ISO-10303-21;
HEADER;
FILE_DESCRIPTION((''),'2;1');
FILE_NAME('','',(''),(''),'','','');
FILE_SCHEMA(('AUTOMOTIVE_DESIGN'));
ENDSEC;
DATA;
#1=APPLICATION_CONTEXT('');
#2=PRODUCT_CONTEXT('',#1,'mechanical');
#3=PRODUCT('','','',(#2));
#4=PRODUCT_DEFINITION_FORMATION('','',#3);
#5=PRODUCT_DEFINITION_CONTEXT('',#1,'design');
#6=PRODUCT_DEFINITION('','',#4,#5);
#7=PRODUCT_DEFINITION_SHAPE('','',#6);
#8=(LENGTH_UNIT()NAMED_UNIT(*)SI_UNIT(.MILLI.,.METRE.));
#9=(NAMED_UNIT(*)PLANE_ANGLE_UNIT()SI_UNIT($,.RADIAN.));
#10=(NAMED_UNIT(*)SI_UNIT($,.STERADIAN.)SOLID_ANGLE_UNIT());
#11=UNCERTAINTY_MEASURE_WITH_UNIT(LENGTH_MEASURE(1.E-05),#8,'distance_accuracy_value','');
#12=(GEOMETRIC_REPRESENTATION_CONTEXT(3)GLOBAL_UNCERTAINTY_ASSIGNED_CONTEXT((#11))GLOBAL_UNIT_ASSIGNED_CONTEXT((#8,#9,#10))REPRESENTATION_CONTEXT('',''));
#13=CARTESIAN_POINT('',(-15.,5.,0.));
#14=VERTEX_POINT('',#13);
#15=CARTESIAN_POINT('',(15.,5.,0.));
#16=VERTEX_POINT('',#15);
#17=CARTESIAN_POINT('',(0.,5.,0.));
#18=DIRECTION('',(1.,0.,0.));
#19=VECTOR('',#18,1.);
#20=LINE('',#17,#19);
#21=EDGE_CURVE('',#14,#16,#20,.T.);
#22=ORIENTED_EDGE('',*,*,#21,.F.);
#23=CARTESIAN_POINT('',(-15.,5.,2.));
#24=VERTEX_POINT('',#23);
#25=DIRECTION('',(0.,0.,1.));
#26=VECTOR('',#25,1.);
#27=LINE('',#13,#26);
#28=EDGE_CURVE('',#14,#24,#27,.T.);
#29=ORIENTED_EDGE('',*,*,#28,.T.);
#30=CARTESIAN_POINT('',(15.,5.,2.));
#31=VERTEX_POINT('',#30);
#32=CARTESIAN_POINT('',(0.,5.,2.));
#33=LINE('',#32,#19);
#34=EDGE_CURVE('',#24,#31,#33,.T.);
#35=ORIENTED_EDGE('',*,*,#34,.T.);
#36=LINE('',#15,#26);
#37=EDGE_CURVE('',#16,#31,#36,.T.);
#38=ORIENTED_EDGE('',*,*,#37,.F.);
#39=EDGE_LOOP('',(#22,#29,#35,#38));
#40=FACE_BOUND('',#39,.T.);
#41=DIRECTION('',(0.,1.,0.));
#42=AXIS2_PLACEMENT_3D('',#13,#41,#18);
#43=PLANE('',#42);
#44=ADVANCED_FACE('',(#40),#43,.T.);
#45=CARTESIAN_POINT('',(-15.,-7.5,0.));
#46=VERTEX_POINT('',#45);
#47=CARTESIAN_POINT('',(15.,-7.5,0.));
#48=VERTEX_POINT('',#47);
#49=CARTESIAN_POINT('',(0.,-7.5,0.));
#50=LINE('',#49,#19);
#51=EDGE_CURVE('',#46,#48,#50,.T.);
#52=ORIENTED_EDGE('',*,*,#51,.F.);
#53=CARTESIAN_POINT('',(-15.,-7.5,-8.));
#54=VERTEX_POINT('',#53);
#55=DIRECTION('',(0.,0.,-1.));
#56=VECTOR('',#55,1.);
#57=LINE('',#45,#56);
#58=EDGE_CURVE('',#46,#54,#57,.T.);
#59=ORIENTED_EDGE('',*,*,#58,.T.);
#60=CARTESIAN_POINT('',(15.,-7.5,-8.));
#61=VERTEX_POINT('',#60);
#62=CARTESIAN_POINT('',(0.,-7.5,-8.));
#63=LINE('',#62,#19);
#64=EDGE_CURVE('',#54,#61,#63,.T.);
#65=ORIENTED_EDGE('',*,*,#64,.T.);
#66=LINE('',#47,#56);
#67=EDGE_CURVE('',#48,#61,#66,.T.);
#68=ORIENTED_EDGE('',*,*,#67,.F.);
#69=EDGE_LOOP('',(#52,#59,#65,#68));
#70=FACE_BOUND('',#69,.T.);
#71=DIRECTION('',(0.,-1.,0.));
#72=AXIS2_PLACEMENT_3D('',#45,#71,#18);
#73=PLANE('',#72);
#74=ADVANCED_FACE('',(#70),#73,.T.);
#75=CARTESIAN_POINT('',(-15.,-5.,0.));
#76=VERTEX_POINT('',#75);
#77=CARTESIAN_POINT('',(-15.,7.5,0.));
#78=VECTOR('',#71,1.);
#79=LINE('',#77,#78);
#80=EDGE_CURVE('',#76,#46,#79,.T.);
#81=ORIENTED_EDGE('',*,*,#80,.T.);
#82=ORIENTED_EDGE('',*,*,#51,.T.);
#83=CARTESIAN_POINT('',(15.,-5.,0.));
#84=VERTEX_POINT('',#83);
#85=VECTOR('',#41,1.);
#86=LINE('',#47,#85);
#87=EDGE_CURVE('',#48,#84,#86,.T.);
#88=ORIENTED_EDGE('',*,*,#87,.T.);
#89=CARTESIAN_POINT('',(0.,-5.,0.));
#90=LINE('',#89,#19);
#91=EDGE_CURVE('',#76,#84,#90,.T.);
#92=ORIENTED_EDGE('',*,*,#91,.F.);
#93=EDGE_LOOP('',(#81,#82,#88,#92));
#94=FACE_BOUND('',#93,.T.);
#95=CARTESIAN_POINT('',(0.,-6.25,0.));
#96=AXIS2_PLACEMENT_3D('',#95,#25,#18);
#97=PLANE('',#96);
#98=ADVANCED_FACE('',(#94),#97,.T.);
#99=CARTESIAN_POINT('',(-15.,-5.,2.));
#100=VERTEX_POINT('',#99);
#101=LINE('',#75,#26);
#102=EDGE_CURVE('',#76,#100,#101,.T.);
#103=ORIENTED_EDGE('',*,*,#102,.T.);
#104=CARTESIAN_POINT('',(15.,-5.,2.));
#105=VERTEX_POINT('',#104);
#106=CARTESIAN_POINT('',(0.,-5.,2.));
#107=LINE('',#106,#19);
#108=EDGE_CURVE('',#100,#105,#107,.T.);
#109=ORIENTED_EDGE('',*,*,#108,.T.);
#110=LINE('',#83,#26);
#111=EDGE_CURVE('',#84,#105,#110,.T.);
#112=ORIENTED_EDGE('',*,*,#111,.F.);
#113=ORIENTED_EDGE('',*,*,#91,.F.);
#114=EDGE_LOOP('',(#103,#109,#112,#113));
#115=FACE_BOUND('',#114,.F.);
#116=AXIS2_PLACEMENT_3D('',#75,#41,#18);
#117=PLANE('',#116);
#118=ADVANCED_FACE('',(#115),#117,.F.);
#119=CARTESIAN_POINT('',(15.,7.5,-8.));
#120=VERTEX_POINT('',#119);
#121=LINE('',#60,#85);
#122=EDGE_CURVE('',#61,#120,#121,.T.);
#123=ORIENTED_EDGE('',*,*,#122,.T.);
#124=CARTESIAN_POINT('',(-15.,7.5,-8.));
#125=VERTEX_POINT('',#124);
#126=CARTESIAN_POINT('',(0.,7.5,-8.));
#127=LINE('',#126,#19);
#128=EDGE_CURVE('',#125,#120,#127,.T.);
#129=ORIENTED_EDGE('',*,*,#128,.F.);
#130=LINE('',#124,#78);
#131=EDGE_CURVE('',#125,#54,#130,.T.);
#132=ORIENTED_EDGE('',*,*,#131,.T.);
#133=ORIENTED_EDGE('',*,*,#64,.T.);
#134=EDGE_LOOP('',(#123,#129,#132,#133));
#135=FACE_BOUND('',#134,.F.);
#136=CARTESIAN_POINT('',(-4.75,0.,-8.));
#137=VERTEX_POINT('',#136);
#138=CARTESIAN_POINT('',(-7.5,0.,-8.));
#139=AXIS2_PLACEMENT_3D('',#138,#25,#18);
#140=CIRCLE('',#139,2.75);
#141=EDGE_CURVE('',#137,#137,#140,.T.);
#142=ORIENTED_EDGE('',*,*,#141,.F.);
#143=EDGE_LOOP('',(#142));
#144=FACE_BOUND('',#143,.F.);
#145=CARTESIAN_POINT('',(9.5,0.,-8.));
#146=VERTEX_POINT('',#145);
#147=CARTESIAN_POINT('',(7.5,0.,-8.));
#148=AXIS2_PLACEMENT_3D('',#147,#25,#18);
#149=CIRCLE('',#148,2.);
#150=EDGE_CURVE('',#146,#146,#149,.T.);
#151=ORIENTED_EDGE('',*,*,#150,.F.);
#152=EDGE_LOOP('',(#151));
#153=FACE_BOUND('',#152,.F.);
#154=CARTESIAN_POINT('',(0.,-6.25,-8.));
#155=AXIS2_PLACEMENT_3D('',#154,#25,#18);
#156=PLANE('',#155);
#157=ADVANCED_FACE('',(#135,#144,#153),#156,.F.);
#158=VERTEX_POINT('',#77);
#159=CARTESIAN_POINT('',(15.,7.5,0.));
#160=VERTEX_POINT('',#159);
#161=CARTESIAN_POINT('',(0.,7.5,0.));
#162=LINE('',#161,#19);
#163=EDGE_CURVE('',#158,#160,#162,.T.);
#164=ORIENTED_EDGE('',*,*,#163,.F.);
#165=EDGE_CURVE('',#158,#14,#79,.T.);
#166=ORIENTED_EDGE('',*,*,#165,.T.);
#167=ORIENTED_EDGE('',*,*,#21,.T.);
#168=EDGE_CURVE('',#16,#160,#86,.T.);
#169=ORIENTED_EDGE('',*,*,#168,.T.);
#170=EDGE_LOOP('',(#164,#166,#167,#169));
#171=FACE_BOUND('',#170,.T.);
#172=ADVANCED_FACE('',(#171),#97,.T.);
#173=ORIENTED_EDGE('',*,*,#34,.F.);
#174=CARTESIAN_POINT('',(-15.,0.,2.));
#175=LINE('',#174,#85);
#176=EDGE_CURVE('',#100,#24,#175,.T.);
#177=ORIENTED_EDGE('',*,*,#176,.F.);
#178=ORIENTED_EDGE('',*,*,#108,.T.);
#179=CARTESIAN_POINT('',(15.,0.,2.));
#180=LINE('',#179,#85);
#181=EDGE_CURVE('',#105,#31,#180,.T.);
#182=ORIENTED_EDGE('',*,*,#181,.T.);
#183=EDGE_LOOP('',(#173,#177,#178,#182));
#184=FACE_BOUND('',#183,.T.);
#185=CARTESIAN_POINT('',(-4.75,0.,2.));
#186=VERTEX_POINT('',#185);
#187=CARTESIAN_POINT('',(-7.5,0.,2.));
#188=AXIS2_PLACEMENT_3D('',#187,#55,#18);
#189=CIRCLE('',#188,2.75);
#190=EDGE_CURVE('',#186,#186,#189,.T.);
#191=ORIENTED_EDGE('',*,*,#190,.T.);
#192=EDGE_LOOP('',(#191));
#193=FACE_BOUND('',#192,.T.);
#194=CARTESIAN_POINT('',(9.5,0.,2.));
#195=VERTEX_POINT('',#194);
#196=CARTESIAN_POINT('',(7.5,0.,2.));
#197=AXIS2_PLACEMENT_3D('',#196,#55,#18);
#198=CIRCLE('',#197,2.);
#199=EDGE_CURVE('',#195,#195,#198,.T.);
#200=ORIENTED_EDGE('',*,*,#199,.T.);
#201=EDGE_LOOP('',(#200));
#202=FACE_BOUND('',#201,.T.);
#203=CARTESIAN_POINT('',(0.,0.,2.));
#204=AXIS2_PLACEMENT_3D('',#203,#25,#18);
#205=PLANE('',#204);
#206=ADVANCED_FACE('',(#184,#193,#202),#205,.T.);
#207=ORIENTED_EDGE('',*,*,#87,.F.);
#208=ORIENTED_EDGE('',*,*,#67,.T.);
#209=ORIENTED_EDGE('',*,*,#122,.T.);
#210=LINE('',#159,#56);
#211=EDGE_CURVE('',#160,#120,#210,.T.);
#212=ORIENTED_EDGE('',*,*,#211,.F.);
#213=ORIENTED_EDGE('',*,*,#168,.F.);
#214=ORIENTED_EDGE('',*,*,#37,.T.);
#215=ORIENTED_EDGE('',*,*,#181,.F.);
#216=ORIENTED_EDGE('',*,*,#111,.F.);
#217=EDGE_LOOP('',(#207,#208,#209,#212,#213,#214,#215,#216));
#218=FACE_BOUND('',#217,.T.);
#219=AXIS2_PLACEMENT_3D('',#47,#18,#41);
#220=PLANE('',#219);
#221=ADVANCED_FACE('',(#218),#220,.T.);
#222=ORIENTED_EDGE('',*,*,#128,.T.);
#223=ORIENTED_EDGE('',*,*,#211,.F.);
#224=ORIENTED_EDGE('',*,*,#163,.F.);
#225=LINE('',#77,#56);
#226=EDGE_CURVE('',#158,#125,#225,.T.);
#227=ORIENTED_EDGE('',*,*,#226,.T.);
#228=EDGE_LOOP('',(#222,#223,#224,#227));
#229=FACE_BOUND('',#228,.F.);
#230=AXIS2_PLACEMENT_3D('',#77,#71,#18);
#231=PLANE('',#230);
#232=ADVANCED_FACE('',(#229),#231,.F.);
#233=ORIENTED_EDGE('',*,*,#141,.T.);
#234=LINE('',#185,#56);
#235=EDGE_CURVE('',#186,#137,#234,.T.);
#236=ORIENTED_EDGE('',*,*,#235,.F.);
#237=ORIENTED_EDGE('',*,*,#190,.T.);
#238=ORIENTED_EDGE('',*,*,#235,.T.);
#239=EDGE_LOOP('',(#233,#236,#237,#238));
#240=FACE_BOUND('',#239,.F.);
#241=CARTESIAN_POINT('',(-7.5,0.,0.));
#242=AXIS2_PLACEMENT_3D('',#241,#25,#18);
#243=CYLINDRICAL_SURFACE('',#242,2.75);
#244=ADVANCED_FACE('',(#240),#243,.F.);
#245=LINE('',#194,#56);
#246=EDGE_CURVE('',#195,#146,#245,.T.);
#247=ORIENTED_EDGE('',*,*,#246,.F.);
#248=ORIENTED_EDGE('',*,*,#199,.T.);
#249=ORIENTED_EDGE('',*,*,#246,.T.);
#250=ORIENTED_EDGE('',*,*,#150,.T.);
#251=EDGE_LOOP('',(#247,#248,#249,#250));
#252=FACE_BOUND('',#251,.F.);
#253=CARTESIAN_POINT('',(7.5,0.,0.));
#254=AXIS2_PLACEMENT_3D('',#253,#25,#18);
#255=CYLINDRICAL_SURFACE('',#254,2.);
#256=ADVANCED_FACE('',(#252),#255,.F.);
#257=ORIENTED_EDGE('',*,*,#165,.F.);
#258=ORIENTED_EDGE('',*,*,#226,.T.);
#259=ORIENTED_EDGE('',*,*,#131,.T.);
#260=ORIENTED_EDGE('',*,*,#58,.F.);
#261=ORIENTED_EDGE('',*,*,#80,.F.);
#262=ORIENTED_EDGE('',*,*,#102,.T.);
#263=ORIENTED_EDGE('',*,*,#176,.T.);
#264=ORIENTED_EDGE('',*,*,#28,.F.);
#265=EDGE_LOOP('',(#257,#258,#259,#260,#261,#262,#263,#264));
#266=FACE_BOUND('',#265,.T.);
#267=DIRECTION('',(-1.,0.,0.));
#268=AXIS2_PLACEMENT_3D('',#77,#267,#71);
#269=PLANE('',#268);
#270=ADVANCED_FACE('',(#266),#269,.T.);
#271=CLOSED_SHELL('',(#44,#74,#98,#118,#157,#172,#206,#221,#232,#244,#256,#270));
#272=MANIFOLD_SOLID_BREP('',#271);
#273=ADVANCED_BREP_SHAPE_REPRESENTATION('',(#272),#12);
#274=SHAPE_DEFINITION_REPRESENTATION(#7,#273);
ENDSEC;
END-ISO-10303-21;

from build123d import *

# Parameters (mm, degrees)
F0_W          = 30
F0_H          = 10
F1_DEPTH      = 2
F0_H_2        = 2.5
F2_DEPTH      = 8
F3_R          = 2.75
F3_R_2        = 2
F4_DEPTH      = 25
F4_DEPTH_BACK = 25


with BuildPart() as f1:
    # F0 (on Top) → F1 (new body)
    with BuildSketch(Plane.XY):
        Rectangle(F0_W, F0_H)
    extrude(amount=F1_DEPTH)

    # F0 (on Top) → F2 (join)
    with BuildSketch(Plane.XY):
        with Locations((0, -6.25)):
            Rectangle(F0_W, F0_H_2)
        Rectangle(F0_W, F0_H)
        with Locations((0, 6.25)):
            Rectangle(F0_W, F0_H_2)
    extrude(amount=-F2_DEPTH)

    # F3 (on Top) → F4 (cut, two sides)
    with BuildSketch(Plane.XY) as f4_sk:
        with Locations((-7.5, 0)):
            Circle(F3_R)
        with Locations((7.5, 0)):
            Circle(F3_R_2)
    extrude(amount=F4_DEPTH, mode=Mode.SUBTRACT)
    extrude(f4_sk.sketch, amount=-F4_DEPTH_BACK, mode=Mode.SUBTRACT)


solid = f1.part
